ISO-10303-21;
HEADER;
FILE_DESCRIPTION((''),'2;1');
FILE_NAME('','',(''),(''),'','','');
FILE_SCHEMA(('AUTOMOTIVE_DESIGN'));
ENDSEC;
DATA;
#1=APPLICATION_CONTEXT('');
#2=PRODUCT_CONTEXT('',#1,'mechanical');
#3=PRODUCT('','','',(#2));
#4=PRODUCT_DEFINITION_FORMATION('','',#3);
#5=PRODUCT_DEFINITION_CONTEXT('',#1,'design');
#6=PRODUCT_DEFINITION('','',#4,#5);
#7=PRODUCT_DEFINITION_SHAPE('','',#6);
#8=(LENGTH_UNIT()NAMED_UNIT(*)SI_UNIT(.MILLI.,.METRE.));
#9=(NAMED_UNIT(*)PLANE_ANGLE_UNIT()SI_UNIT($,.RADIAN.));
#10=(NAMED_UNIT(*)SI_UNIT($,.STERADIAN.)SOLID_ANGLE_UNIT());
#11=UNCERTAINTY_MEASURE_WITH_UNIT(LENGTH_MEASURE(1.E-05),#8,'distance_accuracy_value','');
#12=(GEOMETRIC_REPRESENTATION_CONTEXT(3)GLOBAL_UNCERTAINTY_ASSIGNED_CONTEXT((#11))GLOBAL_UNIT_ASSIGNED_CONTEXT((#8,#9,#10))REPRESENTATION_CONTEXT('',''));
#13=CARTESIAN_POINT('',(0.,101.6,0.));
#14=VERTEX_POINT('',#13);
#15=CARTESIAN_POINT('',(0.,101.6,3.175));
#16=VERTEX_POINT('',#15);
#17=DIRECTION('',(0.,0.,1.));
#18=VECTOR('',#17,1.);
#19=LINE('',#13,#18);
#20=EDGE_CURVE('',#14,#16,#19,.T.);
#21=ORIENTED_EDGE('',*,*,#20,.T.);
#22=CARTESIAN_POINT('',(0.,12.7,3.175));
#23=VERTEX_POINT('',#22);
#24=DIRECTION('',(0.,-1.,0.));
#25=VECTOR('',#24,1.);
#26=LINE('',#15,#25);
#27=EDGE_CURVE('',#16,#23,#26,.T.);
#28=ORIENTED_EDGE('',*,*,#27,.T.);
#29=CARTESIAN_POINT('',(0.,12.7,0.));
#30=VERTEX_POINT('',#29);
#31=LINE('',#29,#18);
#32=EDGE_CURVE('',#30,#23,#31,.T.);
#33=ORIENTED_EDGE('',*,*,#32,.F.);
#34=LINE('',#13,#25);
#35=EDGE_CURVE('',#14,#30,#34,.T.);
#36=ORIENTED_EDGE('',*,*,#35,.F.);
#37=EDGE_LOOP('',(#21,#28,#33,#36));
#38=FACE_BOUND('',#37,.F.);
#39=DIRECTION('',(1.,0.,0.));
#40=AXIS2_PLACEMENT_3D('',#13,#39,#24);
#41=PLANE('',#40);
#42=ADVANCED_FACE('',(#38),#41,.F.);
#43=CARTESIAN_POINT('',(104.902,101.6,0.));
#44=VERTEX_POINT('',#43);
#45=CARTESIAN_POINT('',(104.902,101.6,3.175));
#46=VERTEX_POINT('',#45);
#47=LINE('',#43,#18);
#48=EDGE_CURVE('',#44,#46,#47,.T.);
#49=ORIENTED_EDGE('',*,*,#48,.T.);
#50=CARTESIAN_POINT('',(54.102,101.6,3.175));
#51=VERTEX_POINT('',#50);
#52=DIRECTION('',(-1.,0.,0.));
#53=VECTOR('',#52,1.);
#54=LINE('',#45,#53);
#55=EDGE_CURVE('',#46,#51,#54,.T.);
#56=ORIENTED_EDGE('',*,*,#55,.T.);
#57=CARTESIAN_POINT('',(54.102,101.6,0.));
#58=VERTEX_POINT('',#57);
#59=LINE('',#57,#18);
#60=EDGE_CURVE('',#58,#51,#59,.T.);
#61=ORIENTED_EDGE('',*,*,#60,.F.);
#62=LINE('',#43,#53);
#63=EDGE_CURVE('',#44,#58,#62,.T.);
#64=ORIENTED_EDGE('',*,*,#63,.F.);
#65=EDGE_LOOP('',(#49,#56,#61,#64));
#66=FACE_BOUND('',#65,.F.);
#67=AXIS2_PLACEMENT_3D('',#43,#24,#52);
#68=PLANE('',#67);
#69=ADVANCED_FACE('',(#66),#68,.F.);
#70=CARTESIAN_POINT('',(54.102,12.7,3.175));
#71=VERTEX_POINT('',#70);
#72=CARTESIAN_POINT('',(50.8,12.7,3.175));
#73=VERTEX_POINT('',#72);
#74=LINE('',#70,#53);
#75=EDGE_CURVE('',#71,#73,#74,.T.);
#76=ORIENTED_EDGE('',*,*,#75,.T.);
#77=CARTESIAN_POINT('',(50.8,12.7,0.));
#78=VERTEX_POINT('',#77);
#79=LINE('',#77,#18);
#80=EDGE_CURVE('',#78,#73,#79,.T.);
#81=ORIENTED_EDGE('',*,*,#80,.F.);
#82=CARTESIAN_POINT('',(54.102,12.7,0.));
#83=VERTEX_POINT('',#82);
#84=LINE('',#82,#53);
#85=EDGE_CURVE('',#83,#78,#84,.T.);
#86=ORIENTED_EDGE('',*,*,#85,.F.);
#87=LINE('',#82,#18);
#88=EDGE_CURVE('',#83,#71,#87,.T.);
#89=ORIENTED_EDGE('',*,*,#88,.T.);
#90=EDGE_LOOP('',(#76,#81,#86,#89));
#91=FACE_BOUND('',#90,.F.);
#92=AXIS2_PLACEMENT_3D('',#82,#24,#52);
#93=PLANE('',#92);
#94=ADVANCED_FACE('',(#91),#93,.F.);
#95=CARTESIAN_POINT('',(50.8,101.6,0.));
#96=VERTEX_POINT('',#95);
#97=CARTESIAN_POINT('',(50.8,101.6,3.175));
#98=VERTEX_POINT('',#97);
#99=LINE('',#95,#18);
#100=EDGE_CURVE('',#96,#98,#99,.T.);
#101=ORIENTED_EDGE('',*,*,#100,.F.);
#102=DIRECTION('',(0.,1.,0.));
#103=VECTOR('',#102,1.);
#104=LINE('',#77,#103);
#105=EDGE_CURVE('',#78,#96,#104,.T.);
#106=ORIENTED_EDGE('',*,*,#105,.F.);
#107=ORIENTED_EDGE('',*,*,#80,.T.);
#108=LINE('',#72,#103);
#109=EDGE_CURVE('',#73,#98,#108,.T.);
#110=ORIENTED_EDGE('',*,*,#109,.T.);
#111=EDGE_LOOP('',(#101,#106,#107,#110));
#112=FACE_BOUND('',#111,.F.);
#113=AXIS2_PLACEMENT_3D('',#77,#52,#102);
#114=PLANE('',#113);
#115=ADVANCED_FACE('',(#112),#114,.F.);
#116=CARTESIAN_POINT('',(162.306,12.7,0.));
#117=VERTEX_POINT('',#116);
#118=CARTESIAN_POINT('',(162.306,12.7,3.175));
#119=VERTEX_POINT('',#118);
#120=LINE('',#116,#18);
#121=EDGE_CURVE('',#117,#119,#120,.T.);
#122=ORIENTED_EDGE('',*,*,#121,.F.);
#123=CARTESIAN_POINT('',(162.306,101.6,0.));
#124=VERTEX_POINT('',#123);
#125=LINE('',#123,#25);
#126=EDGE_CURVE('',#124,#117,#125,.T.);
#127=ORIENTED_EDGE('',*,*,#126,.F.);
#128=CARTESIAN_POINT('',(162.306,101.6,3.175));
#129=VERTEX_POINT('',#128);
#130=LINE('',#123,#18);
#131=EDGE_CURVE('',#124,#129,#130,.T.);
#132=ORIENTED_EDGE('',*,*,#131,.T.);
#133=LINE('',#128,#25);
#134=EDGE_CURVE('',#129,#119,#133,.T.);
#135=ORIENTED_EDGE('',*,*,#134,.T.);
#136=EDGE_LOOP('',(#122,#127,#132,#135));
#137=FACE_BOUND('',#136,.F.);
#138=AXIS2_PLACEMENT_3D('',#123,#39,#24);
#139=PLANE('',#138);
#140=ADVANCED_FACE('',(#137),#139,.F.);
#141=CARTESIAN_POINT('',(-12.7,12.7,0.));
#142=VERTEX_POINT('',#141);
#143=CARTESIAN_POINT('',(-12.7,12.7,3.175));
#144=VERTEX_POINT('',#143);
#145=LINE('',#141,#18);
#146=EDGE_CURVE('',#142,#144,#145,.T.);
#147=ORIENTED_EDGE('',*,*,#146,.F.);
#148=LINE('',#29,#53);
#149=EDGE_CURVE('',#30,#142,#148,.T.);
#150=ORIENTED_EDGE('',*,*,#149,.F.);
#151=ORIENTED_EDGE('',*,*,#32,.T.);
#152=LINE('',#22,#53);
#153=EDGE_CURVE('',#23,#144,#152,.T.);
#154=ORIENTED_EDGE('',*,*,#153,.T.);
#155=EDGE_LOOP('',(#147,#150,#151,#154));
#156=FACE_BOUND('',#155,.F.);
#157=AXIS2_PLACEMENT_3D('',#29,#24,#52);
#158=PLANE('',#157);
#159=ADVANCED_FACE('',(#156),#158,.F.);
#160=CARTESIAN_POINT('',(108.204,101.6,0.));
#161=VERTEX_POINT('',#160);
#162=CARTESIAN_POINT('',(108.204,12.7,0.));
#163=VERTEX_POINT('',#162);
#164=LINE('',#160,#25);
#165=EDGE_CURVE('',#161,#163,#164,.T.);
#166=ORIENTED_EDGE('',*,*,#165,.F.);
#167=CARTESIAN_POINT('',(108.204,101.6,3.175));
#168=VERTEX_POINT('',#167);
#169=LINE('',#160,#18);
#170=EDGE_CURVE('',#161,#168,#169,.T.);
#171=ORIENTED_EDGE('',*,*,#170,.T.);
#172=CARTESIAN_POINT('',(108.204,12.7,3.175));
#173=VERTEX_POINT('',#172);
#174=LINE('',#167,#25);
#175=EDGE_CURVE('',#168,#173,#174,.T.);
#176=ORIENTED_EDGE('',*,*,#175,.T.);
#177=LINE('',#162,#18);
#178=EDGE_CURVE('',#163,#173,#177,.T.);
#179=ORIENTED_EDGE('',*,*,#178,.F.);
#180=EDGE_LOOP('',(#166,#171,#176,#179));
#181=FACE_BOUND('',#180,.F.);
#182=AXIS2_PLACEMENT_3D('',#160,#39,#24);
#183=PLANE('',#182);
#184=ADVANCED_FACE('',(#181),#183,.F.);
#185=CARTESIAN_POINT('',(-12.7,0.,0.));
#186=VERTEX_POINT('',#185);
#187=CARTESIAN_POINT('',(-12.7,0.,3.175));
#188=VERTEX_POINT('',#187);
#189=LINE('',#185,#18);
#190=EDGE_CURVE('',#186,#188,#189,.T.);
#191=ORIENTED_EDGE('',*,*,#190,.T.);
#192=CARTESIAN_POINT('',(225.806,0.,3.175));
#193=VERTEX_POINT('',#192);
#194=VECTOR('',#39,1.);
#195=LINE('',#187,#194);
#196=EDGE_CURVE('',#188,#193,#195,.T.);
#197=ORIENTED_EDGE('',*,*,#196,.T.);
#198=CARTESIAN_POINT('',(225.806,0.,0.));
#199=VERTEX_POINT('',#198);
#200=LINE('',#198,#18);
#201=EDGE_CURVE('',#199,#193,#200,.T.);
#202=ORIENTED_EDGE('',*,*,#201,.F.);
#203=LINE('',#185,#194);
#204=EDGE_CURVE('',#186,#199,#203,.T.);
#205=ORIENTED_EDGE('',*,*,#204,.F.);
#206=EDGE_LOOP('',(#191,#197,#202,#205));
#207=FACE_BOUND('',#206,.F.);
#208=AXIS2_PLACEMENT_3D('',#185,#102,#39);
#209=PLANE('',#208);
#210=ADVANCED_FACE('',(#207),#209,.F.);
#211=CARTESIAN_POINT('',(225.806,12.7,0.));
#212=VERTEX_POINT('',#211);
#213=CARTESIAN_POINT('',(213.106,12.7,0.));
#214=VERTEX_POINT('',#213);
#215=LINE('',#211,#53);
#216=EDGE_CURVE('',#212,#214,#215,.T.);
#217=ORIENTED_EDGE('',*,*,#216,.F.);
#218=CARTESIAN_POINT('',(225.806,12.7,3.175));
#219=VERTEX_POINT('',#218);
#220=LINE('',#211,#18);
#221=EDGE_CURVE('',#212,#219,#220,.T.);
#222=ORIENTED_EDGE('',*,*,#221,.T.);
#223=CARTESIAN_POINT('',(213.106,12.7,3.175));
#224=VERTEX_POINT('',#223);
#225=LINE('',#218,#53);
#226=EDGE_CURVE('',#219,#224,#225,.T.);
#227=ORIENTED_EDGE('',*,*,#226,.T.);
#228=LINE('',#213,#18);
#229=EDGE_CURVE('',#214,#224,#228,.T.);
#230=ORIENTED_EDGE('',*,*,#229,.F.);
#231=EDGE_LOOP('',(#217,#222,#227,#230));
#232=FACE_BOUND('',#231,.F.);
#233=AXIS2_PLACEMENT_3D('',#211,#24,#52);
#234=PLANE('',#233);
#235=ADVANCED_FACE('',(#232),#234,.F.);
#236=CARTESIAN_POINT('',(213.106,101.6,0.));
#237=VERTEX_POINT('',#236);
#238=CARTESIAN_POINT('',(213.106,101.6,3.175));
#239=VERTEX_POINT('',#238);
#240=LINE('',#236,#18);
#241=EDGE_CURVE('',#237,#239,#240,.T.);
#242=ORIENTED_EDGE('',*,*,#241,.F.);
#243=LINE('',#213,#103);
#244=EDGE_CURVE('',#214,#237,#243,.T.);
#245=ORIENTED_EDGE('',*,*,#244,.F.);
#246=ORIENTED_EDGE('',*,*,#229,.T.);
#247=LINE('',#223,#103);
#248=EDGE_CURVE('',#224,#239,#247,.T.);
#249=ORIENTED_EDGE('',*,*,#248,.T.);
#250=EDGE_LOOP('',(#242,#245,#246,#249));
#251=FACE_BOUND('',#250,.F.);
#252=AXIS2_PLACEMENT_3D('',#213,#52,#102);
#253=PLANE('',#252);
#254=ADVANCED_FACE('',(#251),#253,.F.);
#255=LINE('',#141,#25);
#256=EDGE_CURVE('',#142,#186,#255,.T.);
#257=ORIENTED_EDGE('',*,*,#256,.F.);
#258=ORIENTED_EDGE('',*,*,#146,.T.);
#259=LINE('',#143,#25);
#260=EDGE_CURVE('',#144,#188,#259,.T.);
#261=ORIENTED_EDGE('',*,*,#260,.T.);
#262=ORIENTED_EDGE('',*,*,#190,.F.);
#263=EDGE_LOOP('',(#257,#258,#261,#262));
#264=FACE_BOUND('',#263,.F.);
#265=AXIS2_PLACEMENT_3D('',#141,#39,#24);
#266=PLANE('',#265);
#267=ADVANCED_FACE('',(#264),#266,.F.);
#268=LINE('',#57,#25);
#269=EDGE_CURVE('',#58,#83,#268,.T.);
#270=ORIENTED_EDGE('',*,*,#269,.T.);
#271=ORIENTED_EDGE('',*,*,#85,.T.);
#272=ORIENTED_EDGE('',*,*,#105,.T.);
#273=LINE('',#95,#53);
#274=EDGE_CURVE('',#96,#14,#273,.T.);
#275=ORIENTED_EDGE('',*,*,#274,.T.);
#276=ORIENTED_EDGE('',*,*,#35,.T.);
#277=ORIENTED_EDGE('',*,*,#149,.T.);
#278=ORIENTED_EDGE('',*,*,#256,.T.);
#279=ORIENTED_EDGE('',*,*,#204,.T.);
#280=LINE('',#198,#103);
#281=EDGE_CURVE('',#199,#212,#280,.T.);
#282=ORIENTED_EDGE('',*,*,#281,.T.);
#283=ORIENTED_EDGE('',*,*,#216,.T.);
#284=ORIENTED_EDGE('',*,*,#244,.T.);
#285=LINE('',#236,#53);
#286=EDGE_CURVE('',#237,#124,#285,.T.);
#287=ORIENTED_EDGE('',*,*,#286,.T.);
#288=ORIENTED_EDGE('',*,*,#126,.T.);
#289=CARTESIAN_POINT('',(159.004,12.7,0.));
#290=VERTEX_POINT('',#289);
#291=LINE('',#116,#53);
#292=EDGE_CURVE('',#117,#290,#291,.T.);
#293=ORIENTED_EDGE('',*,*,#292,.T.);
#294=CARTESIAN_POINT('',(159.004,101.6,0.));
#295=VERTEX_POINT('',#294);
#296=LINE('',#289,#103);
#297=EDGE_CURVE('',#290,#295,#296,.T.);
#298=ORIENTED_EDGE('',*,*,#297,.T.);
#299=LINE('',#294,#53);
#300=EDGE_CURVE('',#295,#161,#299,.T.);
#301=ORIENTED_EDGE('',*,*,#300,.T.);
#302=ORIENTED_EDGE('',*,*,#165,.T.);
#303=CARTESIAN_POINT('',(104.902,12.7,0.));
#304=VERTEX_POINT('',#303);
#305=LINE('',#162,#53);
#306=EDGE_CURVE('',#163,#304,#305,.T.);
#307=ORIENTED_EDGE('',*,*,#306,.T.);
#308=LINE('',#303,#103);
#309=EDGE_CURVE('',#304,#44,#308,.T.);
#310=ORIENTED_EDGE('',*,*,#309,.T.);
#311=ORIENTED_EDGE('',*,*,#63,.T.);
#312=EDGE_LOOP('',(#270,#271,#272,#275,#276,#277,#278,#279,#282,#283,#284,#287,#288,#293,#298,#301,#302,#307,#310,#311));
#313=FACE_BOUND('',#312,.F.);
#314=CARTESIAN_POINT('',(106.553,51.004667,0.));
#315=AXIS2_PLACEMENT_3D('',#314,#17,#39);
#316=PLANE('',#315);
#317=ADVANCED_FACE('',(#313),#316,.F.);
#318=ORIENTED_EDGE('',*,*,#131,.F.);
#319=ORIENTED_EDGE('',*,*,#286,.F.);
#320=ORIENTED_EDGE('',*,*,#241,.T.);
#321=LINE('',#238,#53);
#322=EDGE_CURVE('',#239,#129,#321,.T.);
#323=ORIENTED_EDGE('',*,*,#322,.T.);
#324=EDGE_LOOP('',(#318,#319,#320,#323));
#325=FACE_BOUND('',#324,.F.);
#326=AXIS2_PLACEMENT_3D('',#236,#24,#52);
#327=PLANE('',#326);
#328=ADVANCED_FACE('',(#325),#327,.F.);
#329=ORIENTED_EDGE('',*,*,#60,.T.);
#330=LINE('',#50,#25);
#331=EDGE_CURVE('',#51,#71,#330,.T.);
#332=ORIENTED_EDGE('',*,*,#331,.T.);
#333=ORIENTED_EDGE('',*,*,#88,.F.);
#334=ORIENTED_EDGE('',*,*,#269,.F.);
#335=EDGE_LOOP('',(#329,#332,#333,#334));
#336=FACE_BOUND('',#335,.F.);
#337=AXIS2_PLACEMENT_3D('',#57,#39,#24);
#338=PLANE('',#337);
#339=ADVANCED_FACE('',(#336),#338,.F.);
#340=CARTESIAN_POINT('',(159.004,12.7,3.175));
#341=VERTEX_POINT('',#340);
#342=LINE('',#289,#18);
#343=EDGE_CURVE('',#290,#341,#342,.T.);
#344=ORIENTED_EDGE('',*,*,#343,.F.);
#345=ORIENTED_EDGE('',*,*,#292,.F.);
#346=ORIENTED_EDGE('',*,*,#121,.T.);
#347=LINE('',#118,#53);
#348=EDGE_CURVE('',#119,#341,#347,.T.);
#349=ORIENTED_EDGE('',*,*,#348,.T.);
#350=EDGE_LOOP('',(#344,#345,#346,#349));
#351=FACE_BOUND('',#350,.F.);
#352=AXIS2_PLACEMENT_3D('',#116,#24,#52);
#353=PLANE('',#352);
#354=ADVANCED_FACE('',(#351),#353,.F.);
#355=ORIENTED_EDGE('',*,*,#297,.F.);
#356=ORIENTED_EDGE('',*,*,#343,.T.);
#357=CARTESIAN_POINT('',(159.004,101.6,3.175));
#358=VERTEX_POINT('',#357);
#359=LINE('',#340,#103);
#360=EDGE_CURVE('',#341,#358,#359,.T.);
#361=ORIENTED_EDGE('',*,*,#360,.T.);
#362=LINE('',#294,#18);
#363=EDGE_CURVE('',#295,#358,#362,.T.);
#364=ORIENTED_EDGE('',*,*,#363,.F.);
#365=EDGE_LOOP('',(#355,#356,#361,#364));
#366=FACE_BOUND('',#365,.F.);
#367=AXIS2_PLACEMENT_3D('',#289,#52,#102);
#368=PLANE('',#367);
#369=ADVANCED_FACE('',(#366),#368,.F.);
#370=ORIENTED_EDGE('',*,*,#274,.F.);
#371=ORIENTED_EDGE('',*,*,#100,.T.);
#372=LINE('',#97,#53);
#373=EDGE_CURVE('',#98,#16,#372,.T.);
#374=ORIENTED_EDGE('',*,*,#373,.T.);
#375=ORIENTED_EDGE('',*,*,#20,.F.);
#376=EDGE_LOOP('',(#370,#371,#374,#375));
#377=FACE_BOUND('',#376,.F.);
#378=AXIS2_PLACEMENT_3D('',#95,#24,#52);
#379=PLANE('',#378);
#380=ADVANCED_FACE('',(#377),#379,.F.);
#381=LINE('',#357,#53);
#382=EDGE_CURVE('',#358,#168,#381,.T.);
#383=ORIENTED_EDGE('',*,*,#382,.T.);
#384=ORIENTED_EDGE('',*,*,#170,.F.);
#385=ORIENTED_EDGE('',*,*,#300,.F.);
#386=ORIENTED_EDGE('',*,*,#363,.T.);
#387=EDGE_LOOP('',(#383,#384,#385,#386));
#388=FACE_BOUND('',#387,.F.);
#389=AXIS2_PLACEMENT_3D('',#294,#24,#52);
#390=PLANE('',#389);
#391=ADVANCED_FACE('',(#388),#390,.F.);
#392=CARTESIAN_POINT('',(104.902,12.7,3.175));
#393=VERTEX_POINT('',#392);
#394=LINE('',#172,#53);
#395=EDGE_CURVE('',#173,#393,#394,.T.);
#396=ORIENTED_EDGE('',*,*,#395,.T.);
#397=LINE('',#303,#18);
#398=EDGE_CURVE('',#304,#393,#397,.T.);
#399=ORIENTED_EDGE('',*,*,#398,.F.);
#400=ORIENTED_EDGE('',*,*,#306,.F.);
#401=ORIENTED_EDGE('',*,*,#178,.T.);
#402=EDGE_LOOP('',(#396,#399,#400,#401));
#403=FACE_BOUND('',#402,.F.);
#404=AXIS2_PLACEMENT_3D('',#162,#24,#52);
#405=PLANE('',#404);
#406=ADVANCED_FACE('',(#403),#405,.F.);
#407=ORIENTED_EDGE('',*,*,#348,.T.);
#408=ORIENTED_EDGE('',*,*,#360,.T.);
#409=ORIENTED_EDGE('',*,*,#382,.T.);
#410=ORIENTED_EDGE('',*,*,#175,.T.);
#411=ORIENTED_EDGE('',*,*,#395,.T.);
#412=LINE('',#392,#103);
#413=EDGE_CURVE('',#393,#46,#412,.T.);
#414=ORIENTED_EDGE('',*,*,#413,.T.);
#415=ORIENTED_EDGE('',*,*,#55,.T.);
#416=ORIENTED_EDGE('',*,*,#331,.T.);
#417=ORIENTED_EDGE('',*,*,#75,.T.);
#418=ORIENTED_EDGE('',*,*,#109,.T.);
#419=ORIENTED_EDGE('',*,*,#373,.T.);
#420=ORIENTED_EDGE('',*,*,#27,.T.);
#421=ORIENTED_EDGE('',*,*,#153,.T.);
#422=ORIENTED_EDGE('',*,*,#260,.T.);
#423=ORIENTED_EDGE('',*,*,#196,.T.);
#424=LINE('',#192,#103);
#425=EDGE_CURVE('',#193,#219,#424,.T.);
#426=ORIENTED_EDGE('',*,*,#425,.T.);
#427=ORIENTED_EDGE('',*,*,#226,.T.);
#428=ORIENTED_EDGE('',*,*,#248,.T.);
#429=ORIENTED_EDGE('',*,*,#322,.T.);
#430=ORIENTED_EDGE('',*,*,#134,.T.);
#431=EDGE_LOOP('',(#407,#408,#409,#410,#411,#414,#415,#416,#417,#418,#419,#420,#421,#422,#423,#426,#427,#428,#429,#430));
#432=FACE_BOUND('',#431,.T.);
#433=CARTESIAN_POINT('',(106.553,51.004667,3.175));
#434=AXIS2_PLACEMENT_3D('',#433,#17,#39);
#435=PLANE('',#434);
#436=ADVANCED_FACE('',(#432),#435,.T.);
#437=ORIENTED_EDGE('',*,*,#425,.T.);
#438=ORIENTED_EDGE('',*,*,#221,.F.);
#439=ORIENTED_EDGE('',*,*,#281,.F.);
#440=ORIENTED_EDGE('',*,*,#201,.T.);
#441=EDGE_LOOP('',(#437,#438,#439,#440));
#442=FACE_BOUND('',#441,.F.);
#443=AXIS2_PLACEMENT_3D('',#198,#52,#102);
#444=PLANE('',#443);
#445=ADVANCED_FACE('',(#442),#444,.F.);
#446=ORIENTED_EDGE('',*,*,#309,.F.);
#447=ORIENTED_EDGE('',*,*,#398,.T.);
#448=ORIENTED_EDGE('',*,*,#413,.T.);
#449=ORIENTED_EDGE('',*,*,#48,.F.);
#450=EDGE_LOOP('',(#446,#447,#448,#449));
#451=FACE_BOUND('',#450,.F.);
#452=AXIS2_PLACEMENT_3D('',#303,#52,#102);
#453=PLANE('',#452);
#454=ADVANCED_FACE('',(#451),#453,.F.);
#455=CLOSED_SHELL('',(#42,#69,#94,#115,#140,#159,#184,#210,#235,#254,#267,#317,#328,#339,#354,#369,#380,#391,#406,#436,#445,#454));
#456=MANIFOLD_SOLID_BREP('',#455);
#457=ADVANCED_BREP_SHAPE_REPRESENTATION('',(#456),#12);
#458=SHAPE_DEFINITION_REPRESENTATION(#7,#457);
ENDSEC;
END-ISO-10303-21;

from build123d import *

# Parameters (mm, degrees)
F1_DEPTH = 3.175


with BuildPart() as f1:
    # F0 (on Top) → F1 (new body)
    with BuildSketch(Plane.XY):
        Polygon((-12.7, 0), (0, 0), (213.106, 0), (225.806, 0), (225.806, 12.7), (213.106, 12.7), (213.106, 101.6), (162.306, 101.6), (162.306, 12.7), (159.004, 12.7), (159.004, 101.6), (108.204, 101.6), (108.204, 12.7), (104.902, 12.7), (104.902, 101.6), (54.102, 101.6), (54.102, 12.7), (50.8, 12.7), (50.8, 101.6), (0, 101.6), (0, 12.7), (-12.7, 12.7), align=None)
    extrude(amount=F1_DEPTH)


solid = f1.part
